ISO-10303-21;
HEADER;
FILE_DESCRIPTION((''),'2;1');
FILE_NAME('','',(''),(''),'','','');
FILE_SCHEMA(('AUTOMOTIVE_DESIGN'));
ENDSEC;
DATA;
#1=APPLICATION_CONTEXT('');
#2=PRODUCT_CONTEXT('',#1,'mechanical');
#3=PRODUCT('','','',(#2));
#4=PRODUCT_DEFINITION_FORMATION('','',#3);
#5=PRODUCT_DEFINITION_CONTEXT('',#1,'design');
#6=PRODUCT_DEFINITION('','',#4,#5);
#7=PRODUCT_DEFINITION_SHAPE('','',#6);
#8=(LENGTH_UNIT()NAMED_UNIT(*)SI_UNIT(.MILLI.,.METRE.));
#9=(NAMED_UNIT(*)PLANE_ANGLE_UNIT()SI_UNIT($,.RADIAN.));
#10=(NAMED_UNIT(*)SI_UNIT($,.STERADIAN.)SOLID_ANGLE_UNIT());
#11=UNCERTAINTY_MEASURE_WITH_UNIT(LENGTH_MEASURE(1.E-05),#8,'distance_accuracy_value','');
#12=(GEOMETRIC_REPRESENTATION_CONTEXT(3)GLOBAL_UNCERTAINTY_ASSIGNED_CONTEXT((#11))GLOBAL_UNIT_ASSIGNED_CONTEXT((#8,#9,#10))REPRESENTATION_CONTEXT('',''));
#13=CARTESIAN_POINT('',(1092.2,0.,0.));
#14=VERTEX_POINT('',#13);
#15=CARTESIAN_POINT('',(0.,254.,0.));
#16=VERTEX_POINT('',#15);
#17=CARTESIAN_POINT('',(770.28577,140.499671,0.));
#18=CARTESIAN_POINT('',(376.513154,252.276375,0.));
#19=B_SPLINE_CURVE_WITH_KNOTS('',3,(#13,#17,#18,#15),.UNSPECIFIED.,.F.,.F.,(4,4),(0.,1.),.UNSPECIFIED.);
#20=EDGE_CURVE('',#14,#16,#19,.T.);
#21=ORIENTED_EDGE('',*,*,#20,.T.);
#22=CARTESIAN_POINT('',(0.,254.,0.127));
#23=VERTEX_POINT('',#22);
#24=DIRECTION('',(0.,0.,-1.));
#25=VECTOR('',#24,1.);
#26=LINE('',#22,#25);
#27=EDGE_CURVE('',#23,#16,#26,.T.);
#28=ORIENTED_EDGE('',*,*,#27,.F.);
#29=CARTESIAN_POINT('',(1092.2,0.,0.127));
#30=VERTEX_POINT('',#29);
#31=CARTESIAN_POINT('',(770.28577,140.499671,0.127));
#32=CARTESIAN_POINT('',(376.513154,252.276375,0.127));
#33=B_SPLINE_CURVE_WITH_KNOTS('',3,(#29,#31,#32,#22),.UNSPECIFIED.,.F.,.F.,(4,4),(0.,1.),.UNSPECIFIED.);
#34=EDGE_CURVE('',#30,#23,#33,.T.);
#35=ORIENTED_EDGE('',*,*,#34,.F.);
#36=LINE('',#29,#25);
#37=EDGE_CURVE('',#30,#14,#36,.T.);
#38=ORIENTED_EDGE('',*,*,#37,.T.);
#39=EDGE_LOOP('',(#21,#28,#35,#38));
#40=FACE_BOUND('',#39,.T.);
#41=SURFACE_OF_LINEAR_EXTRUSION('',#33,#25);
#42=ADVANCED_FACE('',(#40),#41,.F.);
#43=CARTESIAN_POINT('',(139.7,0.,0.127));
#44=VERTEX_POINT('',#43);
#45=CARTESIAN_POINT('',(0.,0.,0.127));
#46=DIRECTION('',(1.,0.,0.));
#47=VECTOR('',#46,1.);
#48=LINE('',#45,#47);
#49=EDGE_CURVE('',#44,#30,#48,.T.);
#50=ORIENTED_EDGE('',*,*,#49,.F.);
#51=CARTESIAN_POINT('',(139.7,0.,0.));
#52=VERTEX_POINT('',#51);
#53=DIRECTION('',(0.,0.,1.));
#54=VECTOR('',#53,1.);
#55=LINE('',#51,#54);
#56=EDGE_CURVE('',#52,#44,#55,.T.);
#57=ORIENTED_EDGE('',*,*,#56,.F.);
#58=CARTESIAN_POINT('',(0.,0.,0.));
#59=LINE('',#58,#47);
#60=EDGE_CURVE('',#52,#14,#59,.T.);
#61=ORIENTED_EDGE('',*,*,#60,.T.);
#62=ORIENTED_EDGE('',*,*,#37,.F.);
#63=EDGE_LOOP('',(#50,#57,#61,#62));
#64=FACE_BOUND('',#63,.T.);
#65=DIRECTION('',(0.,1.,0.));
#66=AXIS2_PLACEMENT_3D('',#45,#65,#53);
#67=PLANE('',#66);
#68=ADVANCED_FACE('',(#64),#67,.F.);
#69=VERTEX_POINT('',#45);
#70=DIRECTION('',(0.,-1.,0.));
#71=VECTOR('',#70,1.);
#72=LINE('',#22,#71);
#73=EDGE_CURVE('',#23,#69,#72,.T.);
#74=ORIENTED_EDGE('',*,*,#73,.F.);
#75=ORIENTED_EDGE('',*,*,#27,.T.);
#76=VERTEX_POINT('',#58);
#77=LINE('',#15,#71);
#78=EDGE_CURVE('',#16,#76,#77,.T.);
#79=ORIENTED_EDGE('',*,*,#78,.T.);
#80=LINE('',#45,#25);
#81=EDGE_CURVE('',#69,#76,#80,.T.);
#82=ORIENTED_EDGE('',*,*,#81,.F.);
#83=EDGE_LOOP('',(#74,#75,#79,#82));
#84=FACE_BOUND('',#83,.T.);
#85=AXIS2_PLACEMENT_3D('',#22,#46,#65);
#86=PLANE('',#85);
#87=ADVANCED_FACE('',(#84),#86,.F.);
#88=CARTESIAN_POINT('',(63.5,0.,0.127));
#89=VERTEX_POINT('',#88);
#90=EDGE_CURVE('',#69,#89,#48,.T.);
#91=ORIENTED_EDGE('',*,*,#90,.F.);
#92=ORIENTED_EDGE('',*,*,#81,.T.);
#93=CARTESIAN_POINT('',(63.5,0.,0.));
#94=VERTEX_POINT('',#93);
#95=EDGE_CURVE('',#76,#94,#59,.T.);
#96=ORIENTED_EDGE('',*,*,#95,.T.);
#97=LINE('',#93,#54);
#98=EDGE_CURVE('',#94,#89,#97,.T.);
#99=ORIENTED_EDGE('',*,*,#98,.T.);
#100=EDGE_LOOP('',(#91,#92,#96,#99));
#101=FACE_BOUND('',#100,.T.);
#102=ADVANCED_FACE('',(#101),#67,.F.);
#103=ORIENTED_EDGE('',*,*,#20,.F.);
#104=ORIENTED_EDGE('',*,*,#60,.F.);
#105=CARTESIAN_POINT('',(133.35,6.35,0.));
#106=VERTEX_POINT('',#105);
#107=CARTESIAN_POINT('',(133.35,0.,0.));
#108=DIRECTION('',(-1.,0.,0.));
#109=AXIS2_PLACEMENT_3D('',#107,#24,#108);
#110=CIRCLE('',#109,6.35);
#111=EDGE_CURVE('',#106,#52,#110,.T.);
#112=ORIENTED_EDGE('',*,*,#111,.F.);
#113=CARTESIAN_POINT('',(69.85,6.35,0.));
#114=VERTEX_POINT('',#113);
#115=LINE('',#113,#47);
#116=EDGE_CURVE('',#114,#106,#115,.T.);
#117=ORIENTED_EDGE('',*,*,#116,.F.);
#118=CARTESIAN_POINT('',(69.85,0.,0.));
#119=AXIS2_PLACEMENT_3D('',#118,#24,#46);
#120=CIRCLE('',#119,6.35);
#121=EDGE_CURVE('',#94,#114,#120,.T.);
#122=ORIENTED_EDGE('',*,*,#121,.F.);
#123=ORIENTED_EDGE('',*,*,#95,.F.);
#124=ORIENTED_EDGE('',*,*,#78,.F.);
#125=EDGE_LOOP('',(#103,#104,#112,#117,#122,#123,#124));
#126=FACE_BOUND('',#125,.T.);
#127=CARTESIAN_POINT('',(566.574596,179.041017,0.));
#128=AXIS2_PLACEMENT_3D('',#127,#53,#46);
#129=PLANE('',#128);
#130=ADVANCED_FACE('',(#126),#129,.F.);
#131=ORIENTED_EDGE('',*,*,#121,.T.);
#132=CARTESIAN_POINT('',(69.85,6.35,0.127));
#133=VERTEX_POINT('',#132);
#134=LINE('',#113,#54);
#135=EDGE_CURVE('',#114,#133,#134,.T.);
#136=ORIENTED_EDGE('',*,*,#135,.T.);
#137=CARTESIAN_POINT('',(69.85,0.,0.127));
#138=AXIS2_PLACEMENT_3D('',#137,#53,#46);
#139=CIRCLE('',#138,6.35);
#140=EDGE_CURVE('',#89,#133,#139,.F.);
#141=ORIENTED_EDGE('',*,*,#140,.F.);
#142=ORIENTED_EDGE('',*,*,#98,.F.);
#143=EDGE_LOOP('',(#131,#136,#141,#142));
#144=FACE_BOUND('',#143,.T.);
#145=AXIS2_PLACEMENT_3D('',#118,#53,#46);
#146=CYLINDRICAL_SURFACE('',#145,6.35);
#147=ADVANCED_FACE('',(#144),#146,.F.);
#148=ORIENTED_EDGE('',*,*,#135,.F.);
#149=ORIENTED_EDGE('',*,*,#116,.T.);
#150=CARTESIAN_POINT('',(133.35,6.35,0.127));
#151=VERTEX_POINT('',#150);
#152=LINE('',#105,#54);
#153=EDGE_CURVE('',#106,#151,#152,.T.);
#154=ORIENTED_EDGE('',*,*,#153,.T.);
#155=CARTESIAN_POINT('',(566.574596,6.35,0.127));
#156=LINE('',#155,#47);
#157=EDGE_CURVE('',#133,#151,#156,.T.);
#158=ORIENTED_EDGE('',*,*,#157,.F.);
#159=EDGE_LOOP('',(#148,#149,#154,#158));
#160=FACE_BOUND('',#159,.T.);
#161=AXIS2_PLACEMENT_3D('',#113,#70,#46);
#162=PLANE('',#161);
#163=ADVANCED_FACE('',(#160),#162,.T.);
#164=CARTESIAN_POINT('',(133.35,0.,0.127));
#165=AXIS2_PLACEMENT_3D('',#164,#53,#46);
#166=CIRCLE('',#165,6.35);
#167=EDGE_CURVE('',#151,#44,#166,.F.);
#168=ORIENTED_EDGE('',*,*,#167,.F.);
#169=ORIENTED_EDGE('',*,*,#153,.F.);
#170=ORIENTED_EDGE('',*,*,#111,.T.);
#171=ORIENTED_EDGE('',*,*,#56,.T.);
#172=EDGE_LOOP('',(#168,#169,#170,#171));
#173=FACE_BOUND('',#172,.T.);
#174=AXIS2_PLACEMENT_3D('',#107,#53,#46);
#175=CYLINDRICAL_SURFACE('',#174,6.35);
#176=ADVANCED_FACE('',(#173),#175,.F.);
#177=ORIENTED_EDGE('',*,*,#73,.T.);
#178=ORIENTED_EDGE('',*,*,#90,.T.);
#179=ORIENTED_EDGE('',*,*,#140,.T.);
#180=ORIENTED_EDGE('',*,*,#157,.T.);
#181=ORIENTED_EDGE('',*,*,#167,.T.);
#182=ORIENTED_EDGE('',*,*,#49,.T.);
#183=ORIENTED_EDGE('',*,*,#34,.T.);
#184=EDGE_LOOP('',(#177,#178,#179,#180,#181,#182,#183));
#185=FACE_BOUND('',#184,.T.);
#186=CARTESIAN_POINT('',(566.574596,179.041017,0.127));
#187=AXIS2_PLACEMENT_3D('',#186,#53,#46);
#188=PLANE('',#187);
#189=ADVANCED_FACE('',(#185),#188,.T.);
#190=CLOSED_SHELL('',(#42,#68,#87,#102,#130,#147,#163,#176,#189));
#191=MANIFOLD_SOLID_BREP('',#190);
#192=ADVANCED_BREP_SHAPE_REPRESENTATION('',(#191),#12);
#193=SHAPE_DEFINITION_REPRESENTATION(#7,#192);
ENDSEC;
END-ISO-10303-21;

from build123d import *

# Parameters (mm, degrees)
BOSS_EXTRUDE1_DEPTH = 0.127
CUT_EXTRUDE2_DEPTH  = 1.1270001


with BuildPart() as part:
    # Sketch1 → Boss-Extrude1 (new body)
    with BuildSketch(Plane.XY):
        with BuildLine():
            Line((0, 254), (0, 0))
            Line((0, 0), (1092.2, 0))
            add(Edge.make_bspline(
                [(0, 254), (376.513153864, 252.276375478), (770.285770075, 140.499670678), (1092.2, 0)],
                knots=[0, 0, 0, 0, 1, 1, 1, 1], degree=3))
        make_face()
    extrude(amount=BOSS_EXTRUDE1_DEPTH)

    # Sketch7 → Cut-Extrude2 (cut, through all)
    with BuildSketch(Plane(origin=(0, 0, 0), x_dir=(-1, 0, 0), z_dir=(0, 0, -1))):
        with BuildLine():
            Line((-133.35, 0), (-63.5, 0))
            ThreePointArc((-63.5, 0), (-65.359871939, 4.490128061), (-69.85, 6.35))
            Line((-69.85, 6.35), (-133.35, 6.35))
            ThreePointArc((-133.35, 6.35), (-137.840128061, 4.490128061), (-139.7, 0))
            Line((-139.7, 0), (-133.35, 0))
        make_face()
    extrude(amount=-CUT_EXTRUDE2_DEPTH, mode=Mode.SUBTRACT)


solid = part.part
